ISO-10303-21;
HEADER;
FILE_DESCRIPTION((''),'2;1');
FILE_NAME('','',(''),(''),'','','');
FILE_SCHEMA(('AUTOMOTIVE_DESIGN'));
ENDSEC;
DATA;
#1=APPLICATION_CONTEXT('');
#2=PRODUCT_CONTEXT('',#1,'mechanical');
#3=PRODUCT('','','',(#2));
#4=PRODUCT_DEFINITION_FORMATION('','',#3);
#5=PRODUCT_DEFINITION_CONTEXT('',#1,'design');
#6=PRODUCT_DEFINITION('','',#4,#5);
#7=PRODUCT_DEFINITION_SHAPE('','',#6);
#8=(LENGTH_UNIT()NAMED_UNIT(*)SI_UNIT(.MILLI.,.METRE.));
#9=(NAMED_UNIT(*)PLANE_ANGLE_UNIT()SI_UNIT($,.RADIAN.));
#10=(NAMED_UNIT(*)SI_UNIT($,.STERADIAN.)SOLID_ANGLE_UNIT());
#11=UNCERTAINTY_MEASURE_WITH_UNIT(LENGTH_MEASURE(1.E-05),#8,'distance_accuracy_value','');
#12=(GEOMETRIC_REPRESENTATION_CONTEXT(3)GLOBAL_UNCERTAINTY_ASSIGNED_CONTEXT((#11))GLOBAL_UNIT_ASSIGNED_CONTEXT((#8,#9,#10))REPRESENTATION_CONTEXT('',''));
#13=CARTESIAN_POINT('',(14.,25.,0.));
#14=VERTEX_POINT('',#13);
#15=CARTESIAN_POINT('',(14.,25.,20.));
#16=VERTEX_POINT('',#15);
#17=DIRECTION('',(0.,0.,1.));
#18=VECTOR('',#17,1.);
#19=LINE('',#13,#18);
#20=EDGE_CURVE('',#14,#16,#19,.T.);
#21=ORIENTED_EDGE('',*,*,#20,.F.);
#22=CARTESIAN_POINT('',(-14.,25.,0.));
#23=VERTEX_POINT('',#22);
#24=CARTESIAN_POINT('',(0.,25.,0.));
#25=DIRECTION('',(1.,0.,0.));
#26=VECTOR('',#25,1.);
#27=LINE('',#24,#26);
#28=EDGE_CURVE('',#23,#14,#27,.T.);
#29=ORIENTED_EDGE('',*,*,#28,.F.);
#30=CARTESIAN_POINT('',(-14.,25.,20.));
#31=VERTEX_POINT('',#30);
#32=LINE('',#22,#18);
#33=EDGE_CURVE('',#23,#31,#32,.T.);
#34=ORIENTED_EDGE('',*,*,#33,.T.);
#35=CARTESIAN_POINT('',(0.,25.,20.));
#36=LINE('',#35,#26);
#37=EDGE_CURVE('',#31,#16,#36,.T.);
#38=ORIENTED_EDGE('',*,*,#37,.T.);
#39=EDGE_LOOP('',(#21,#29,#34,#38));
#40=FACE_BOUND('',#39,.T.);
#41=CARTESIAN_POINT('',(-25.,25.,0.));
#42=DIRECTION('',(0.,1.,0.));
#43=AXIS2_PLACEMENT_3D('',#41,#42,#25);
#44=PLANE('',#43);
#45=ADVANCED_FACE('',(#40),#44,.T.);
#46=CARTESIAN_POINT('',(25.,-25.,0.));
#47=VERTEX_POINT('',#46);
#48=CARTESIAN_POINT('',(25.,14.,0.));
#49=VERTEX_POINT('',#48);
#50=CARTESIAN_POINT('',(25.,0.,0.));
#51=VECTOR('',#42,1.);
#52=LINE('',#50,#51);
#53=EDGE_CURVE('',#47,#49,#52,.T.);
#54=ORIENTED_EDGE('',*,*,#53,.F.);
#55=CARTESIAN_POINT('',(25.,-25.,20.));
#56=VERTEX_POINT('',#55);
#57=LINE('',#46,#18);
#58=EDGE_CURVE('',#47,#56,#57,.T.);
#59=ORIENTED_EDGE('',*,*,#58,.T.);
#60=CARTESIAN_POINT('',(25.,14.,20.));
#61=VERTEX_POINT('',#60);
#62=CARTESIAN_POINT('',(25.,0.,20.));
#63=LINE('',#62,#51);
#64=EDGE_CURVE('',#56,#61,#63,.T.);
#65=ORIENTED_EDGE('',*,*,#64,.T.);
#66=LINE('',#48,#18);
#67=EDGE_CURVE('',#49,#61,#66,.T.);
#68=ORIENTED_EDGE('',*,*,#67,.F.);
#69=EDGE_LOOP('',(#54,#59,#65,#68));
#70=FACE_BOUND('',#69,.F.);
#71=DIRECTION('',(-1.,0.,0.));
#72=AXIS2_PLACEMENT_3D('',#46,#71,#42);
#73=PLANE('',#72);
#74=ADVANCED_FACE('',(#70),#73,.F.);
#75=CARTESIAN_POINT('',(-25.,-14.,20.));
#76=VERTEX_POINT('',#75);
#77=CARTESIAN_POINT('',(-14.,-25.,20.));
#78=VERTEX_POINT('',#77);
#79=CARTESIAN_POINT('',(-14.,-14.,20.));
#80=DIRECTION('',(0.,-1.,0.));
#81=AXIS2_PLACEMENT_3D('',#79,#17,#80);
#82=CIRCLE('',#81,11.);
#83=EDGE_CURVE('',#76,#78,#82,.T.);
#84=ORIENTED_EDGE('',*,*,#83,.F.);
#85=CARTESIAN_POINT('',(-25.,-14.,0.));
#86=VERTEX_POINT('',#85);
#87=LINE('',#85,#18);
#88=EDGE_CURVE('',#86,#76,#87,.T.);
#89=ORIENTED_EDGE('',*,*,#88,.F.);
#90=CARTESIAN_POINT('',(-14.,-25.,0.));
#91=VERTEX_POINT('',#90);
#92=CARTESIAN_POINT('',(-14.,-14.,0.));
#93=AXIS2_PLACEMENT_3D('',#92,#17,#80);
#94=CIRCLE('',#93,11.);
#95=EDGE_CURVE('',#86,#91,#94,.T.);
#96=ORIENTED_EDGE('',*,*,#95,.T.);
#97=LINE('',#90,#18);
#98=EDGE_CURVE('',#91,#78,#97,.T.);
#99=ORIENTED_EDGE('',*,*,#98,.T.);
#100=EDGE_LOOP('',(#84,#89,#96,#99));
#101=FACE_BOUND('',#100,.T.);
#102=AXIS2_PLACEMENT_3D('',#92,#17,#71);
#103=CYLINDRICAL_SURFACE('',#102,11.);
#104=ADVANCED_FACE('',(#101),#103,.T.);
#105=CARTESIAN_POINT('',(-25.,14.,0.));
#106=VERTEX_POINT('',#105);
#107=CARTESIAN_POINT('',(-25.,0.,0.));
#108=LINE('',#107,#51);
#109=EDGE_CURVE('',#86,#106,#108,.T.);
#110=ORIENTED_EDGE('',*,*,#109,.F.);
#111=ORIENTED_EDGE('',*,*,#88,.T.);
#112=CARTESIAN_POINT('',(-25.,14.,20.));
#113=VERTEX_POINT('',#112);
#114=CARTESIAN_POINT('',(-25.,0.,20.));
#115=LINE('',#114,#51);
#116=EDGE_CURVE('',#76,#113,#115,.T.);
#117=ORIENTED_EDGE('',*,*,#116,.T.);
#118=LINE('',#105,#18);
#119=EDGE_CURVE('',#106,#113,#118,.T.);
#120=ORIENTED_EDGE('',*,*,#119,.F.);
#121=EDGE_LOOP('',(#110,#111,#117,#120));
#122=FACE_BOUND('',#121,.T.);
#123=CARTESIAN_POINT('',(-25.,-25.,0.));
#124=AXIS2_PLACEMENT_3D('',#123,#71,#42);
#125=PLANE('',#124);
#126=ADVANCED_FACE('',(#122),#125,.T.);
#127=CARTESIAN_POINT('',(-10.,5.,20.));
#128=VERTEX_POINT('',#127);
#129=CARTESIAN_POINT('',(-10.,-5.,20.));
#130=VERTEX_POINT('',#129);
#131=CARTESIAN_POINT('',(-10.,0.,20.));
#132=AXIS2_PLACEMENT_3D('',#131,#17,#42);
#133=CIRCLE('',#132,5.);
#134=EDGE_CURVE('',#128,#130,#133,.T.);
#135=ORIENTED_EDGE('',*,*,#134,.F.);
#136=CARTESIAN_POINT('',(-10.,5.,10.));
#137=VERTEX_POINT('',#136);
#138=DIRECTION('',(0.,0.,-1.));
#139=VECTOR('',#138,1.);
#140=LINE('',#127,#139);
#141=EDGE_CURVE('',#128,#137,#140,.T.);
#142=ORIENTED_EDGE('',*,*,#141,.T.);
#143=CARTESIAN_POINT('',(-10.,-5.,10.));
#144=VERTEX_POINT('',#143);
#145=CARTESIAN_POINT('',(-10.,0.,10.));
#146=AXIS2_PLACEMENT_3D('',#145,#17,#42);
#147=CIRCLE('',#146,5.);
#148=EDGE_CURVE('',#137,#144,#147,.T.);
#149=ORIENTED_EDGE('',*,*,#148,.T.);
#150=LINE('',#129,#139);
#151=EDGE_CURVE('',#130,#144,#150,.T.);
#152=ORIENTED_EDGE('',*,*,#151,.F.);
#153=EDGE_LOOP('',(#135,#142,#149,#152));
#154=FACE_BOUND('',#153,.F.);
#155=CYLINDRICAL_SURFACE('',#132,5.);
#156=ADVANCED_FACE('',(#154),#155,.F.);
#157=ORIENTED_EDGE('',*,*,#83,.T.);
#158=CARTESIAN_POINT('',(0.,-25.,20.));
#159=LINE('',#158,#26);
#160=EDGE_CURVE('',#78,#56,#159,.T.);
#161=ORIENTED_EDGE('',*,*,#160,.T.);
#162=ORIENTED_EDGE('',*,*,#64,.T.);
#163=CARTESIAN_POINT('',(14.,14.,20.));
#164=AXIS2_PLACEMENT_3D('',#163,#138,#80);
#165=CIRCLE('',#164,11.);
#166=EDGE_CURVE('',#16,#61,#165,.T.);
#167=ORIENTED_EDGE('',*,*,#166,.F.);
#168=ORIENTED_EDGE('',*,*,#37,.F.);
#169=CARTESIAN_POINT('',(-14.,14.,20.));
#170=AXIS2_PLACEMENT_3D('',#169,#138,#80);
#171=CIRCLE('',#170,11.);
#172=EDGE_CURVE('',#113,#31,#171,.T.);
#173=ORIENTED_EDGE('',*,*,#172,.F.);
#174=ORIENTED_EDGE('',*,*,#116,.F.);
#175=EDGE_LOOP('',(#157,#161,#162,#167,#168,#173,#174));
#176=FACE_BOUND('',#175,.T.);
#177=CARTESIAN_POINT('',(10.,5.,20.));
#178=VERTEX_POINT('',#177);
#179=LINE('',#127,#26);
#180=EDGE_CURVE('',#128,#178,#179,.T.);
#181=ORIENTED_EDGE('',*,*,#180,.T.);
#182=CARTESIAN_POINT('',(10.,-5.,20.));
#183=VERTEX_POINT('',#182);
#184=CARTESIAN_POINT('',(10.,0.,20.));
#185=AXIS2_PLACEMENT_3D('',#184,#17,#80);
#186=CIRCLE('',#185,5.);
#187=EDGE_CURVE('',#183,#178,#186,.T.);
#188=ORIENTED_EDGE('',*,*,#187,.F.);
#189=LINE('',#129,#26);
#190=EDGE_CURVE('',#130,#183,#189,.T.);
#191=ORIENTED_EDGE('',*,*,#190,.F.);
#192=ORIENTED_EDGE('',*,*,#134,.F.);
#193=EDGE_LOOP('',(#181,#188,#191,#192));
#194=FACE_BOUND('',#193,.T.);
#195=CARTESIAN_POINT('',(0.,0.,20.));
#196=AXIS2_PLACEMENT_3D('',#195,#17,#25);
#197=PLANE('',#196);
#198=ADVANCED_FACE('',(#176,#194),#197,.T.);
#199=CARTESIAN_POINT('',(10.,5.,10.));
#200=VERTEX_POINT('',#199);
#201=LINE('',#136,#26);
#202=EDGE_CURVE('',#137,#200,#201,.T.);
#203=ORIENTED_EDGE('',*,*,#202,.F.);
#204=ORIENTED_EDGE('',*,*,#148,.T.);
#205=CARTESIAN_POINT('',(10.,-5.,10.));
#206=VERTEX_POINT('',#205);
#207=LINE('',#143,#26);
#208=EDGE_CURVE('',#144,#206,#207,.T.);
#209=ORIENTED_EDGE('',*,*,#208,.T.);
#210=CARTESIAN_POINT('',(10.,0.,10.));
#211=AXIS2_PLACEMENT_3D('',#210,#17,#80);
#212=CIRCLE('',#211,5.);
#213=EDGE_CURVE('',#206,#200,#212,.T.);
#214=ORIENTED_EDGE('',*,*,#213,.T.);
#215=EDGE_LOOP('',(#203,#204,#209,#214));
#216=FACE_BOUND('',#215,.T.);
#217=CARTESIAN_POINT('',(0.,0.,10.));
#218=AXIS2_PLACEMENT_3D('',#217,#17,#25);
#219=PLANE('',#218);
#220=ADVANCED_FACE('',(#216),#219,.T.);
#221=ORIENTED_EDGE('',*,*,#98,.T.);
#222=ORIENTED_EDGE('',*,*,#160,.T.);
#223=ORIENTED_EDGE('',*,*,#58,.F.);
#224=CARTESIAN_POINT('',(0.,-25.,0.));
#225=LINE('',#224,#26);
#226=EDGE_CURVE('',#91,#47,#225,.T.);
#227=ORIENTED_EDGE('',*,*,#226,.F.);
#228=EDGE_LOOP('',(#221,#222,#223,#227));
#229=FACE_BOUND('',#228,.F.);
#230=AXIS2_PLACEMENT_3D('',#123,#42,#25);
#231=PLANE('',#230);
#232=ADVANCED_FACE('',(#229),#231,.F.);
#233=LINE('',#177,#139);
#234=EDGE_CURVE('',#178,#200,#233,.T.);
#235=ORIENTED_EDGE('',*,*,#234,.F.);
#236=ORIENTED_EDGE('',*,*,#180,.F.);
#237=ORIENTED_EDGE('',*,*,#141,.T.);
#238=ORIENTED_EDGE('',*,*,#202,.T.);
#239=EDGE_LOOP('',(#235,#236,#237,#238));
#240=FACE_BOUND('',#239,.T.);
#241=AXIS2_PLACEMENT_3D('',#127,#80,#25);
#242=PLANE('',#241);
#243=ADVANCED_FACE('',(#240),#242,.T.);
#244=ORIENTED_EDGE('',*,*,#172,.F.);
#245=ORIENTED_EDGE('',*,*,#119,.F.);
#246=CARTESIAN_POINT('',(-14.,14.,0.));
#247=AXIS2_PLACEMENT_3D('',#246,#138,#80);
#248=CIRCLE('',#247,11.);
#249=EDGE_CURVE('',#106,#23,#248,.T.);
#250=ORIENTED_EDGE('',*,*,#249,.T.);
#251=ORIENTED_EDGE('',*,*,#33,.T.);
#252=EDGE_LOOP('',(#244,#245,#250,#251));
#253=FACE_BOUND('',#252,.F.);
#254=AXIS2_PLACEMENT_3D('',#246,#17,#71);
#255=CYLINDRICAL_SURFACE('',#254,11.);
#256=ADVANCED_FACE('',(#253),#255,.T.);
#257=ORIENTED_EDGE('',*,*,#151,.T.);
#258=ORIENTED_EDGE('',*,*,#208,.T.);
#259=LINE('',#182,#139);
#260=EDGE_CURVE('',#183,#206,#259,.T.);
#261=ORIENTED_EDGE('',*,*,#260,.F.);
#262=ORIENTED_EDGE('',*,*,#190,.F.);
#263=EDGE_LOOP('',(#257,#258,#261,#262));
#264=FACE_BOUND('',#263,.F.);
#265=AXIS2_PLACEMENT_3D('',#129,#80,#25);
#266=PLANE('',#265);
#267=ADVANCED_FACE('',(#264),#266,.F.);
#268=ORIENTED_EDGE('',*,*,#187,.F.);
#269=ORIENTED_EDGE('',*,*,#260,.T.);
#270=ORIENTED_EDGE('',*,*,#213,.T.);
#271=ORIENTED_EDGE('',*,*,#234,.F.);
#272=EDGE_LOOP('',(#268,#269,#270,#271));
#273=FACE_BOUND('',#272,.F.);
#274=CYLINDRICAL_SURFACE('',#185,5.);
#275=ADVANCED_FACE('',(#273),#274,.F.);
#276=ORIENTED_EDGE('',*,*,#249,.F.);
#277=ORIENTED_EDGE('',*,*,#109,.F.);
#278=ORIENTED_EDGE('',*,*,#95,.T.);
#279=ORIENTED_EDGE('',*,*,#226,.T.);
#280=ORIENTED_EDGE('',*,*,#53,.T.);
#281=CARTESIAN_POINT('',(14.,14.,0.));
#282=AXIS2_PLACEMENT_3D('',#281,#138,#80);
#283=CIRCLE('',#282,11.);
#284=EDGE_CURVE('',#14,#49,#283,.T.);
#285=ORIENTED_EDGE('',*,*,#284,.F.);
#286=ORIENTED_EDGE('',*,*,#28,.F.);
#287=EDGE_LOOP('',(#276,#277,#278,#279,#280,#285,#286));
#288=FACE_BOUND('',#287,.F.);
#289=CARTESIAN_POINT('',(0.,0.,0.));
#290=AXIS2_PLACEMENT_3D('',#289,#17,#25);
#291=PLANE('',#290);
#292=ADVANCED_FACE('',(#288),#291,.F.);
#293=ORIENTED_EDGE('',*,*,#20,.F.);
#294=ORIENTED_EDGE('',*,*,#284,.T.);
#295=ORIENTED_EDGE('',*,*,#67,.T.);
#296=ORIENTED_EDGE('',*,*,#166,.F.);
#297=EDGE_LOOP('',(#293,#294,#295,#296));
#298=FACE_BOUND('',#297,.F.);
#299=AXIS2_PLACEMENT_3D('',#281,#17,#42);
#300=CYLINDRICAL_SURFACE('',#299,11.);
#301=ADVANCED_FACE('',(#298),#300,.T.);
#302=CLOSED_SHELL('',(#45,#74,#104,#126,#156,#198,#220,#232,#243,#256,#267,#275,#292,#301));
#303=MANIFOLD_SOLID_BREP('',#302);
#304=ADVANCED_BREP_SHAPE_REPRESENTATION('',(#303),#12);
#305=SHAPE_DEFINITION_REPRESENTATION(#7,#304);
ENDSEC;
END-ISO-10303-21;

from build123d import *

# Parameters (mm, degrees)
SKETCH_W     = 50
SKETCH_H     = 50
PAD_DEPTH    = 20
POCKET_DEPTH = 10
FILLET_R     = 11


with BuildPart() as part:
    # Sketch → Pad (new body)
    with BuildSketch(Plane.XY):
        Rectangle(SKETCH_W, SKETCH_H)
    extrude(amount=PAD_DEPTH)

    # Sketch001 → Pocket (cut)
    with BuildSketch(Plane.XY.offset(20)):
        with BuildLine():
            ThreePointArc((-10, 5), (-15, 0), (-10, -5))
            Line((-10, -5), (10, -5))
            ThreePointArc((10, -5), (15, 0), (10, 5))
            Line((-10, 5), (10, 5))
        make_face()
    extrude(amount=-POCKET_DEPTH, mode=Mode.SUBTRACT)

    # Fillet
    fillet_edges = [part.edges().sort_by_distance(p)[0] for p in [
        (-25, -25, 10),
        (-25, 25, 10),
        (25, 25, 10),
    ]]
    fillet(fillet_edges, radius=FILLET_R)


solid = part.part
